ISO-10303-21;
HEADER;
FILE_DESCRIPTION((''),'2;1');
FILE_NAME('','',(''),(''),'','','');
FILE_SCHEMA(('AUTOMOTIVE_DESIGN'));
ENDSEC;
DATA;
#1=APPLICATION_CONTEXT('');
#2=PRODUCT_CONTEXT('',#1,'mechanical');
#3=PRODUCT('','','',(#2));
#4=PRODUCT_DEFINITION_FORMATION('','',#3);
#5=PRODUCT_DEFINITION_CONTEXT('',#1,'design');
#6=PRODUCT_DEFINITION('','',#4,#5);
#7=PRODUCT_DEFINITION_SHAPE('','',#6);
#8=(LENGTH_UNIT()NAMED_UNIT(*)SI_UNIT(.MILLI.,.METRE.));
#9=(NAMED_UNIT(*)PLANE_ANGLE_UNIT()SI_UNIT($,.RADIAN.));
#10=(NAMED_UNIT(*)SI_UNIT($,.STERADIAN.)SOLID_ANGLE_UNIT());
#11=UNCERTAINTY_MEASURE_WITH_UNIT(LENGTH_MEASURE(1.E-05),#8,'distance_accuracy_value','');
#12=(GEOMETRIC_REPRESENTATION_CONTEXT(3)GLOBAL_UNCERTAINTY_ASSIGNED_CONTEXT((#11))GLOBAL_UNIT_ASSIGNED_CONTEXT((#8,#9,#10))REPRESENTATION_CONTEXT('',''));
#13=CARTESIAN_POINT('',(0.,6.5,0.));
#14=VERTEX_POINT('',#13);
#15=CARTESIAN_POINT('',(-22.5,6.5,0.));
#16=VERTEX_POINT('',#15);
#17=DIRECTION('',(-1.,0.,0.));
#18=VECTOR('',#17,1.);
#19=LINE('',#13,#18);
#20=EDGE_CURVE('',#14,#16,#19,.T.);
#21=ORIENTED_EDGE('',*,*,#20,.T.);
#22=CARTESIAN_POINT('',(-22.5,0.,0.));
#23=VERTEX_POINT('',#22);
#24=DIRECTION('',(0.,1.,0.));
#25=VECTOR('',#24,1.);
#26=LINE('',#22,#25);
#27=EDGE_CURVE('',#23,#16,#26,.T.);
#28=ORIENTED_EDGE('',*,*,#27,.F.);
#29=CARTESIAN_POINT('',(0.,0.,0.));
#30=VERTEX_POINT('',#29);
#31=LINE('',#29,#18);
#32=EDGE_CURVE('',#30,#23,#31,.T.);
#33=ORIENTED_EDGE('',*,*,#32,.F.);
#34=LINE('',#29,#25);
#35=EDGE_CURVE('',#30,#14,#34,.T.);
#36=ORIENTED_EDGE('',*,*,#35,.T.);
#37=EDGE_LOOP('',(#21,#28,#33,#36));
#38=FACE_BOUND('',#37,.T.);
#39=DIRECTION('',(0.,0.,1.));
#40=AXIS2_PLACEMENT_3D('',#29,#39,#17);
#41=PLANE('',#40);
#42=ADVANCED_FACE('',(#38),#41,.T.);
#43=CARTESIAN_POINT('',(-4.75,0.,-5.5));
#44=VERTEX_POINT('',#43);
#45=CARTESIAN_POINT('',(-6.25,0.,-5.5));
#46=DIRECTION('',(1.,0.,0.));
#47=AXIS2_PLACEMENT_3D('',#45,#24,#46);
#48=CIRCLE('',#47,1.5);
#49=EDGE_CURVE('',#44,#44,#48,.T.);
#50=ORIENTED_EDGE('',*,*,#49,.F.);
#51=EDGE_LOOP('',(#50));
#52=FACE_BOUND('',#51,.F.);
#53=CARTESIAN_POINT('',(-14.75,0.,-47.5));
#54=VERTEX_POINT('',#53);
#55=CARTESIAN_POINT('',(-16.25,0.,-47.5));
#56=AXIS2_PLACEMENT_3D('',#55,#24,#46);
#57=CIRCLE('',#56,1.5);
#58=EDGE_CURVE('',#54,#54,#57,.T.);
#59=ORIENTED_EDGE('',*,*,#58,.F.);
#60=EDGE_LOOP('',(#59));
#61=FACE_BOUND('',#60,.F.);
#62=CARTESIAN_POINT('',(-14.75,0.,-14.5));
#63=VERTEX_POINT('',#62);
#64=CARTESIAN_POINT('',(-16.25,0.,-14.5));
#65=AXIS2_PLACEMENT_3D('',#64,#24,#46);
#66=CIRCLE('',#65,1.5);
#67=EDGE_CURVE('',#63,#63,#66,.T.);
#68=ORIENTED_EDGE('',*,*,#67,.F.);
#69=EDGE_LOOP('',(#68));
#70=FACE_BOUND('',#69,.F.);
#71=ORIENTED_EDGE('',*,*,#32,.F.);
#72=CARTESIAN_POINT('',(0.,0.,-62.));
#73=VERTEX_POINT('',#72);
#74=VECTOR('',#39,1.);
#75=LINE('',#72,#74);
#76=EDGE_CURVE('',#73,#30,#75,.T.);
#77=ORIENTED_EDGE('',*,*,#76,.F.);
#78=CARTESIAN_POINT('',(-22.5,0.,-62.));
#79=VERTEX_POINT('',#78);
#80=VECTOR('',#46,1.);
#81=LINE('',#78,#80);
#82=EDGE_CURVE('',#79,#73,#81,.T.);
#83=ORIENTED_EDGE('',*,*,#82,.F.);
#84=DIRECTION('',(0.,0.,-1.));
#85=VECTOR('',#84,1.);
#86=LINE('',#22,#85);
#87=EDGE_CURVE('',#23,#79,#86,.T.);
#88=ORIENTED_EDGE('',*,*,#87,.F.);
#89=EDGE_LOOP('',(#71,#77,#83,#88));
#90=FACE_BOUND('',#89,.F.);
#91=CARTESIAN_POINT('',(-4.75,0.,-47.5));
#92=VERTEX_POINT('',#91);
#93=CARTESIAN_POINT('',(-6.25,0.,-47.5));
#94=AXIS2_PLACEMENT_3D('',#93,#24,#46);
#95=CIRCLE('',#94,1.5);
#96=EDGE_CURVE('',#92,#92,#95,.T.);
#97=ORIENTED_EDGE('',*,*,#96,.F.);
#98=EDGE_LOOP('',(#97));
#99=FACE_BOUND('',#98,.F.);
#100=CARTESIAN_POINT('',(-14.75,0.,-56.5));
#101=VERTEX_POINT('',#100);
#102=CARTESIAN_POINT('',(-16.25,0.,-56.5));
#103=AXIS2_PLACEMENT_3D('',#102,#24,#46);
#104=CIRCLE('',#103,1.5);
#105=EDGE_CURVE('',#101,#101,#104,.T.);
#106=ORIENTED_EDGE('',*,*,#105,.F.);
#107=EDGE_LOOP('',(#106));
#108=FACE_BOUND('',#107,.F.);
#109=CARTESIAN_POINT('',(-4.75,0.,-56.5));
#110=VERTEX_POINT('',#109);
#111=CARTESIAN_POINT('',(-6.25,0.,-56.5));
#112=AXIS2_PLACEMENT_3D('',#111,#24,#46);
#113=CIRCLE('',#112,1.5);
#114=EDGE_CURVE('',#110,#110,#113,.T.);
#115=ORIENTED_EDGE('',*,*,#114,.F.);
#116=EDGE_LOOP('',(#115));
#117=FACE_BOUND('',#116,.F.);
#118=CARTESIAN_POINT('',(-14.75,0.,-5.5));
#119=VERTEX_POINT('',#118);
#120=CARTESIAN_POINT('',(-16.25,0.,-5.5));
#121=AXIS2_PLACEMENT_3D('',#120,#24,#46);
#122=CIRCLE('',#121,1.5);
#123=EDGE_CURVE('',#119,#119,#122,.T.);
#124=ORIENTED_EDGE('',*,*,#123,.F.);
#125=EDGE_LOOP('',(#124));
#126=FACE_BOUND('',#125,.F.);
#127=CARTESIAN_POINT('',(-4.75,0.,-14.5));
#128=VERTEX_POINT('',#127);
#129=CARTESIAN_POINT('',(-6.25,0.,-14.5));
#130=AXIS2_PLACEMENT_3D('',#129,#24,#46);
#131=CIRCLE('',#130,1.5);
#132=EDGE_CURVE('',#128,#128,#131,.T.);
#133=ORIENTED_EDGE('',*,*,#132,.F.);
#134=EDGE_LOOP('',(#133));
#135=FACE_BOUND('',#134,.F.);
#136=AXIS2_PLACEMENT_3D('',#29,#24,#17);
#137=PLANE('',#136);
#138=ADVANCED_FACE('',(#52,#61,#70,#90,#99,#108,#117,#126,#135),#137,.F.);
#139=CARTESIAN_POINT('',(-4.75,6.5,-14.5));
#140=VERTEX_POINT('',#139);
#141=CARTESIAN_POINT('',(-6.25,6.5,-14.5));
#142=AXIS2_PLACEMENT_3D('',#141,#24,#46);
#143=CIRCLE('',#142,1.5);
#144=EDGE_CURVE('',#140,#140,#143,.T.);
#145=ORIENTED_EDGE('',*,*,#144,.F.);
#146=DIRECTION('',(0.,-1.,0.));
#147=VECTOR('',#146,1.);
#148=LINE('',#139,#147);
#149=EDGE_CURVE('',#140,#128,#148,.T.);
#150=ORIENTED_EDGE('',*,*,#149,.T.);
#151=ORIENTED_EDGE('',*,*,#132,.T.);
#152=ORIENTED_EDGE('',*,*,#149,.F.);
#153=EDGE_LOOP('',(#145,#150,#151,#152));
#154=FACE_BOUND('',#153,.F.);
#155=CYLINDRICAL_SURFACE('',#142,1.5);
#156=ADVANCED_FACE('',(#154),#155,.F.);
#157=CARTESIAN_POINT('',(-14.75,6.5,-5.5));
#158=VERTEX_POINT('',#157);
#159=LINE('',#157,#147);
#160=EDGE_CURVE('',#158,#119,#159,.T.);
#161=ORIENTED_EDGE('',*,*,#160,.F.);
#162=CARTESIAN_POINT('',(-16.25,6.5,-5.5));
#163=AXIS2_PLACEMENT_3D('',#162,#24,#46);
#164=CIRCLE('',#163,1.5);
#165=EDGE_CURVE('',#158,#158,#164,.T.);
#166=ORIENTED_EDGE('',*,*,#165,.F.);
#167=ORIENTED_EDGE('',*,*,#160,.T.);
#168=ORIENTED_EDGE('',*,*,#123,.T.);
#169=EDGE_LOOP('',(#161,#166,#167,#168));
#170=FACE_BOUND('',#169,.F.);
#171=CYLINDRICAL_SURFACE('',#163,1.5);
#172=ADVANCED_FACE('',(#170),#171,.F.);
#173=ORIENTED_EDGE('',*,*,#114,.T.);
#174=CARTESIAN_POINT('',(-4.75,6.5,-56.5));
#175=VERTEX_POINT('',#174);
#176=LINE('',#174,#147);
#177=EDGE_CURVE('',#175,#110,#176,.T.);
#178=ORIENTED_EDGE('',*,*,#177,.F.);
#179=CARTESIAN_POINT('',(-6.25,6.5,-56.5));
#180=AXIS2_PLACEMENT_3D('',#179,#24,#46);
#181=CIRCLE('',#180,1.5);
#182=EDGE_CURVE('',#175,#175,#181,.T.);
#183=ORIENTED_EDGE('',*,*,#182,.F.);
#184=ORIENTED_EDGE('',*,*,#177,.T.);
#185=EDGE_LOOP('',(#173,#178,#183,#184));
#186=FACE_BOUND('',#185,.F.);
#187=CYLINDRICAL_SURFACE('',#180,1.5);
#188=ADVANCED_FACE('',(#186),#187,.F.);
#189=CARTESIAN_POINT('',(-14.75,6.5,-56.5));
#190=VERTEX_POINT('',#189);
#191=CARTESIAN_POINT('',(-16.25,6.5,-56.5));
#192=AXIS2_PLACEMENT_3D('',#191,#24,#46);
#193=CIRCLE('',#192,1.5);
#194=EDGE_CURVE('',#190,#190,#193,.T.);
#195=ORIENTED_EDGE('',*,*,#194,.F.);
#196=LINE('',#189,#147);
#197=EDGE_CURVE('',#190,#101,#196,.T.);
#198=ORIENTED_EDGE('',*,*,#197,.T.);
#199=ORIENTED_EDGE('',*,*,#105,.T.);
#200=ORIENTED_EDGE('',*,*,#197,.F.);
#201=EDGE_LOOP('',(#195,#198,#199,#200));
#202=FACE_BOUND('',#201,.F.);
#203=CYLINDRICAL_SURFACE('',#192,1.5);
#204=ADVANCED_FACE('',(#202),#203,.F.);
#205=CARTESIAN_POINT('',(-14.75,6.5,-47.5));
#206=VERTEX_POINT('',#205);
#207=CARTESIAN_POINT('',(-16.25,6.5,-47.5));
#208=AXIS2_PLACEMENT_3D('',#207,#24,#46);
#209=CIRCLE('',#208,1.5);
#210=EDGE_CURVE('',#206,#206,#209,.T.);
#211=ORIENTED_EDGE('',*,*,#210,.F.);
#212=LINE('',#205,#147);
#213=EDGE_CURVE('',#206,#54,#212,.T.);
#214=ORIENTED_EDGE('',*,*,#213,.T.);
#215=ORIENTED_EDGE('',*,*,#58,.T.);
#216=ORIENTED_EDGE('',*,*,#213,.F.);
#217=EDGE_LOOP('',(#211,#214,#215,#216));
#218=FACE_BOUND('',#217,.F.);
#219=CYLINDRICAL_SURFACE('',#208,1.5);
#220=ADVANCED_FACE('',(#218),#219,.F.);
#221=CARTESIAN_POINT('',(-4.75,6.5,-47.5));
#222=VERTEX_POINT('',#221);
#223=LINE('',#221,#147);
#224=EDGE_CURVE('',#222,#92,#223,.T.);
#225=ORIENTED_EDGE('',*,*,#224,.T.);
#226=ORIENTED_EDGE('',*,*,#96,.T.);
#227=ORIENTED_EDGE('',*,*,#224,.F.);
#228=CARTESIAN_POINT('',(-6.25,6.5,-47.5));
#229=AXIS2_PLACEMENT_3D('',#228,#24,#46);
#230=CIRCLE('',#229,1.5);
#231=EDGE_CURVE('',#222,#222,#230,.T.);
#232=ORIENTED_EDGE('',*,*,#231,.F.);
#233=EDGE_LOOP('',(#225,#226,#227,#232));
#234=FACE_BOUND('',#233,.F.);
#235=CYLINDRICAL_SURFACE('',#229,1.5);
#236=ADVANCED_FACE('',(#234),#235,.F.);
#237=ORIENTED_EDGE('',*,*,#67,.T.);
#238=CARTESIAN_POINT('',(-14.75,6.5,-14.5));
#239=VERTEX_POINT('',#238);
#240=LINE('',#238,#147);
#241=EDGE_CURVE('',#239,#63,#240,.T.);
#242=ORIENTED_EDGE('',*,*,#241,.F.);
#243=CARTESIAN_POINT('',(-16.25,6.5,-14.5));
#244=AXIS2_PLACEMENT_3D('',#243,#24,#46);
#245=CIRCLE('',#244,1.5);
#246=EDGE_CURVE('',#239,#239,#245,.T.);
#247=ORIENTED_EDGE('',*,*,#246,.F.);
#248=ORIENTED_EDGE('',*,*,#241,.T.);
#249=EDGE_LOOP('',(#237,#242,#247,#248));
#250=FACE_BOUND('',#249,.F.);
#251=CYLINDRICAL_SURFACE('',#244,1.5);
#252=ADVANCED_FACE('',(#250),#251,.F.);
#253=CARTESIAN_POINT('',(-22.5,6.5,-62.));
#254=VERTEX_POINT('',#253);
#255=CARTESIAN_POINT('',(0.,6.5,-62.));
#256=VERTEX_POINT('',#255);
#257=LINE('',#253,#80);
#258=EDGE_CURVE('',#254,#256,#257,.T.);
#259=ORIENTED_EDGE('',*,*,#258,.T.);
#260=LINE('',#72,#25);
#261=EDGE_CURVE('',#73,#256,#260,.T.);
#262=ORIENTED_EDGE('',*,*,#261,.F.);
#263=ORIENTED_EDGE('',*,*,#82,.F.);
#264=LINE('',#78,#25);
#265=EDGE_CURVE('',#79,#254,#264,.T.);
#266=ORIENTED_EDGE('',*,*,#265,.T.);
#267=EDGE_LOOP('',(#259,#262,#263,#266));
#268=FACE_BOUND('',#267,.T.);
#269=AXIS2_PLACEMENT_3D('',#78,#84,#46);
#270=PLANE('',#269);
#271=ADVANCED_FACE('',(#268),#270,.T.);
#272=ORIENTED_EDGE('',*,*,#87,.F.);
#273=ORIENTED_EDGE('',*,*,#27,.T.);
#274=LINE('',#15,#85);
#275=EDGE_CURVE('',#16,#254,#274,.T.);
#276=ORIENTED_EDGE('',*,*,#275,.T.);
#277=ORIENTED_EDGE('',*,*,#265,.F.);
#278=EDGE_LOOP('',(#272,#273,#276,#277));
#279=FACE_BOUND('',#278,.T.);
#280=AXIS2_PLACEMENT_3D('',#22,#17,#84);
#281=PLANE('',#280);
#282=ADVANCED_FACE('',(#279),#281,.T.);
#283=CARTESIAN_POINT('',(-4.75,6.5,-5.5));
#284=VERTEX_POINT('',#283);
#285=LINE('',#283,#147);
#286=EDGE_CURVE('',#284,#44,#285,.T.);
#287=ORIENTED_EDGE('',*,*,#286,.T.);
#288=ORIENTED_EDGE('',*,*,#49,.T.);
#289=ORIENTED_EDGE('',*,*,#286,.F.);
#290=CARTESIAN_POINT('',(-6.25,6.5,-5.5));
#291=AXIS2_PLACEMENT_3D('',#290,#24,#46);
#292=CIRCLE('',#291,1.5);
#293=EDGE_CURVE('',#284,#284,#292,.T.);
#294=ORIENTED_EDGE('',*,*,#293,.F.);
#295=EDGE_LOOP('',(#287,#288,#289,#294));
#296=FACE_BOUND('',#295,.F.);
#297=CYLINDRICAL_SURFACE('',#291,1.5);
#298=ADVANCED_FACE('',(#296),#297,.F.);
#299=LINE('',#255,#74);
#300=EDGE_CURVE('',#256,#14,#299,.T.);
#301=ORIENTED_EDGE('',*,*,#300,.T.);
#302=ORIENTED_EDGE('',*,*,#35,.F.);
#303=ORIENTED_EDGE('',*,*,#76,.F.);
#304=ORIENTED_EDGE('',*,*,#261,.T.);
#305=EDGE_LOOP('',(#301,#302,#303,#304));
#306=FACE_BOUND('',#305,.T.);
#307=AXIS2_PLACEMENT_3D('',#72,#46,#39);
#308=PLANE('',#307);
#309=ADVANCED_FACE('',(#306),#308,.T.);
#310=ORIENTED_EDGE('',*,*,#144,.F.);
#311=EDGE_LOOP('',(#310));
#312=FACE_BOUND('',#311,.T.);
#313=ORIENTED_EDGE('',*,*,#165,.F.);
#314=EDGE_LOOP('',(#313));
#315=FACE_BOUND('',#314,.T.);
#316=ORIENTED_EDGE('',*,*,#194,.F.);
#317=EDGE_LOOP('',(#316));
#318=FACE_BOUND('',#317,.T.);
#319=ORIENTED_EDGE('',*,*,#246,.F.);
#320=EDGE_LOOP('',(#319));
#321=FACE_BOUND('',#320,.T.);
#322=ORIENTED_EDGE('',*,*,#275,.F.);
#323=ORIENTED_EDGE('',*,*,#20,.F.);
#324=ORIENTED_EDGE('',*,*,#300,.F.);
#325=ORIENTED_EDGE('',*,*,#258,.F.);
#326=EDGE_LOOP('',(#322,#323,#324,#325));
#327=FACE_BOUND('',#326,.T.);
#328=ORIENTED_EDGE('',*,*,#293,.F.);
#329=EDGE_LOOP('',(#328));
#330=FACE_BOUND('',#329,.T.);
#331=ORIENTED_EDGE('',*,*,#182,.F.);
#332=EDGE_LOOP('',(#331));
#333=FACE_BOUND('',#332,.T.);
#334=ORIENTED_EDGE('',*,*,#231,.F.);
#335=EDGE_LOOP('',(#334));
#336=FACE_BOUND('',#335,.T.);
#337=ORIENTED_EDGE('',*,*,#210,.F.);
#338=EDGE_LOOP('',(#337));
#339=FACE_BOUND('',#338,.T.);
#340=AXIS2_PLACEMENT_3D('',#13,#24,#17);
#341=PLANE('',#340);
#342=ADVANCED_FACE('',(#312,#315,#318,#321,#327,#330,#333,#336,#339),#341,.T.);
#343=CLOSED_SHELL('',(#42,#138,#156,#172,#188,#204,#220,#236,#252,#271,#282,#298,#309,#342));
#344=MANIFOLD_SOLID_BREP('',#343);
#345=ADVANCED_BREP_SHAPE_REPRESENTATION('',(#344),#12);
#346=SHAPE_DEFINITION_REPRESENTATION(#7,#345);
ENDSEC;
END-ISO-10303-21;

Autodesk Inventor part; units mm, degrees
ref_plane "YZ Plane" through (0, 0, 0) normal (1, 0, 0) x (0, 1, 0)
ref_plane "XZ Plane" through (0, 0, 0) normal (0, 1, 0) x (-1, 0, 0)
ref_plane "XY Plane" through (0, 0, 0) normal (0, 0, 1) x (1, 0, 0)
sketch "Sketch1" plane through (0, 0, 0) normal (0, 1, 0) x (-1, 0, 0)
  line L0 (0, 0) -> (22.5, 0)
  line L1 (22.5, 0) -> (22.5, -62)
  line L2 (22.5, -62) -> (0, -62)
  line L3 (0, -62) -> (0, 0)
  dimension "d0" = 22.5
  dimension "d1" = 62
extrude "Extrusion1" add sketch "Sketch1" along normal blind 6.5
sketch "Sketch2" plane through (0, 6.5, 0) normal (0, 1, 0) x (1, 0, 0)
  line L0 (0, 62) -> (-22.5, 62) projected
  line L1 (-22.5, 62) -> (-22.5, 0) projected
  circle A0 centre (-16.25, 56.5) radius 1.5
  circle A1 centre (-16.25, 47.5) radius 1.5
  circle A2 centre (-6.25, 56.5) radius 1.5
  circle A3 centre (-6.25, 47.5) radius 1.5
  circle A4 centre (-16.25, 14.5) radius 1.5
  circle A5 centre (-16.25, 5.5) radius 1.5
  circle A6 centre (-6.25, 14.5) radius 1.5
  circle A7 centre (-6.25, 5.5) radius 1.5
  line L2 (-16.25, 56.5) -> (-6.25, 56.5) construction
  line L3 (-16.25, 56.5) -> (-6.25, 47.5) construction
  line L4 (-16.25, 47.5) -> (-6.25, 56.5) construction
  line L5 (-16.25, 14.5) -> (-6.25, 5.5) construction
  line L6 (-6.25, 14.5) -> (-16.25, 5.5) construction
  line L7 (-11.25, 52) -> (-11.25, 10) construction
  point P0 (-11.25, 56.5)
  point P1 (-11.25, 62)
  point P2 (-11.25, 31)
  point P3 (-22.5, 31)
  dimension "d5" = 3
  dimension "d6" = 9
  dimension "d7" = 10
  dimension "d8" = 9
  dimension "d9" = 42
extrude "Extrusion2" cut sketch "Sketch2" against normal through all
equation "\"d8\" = d6"
properties part number "x_iddler_right_cap"
